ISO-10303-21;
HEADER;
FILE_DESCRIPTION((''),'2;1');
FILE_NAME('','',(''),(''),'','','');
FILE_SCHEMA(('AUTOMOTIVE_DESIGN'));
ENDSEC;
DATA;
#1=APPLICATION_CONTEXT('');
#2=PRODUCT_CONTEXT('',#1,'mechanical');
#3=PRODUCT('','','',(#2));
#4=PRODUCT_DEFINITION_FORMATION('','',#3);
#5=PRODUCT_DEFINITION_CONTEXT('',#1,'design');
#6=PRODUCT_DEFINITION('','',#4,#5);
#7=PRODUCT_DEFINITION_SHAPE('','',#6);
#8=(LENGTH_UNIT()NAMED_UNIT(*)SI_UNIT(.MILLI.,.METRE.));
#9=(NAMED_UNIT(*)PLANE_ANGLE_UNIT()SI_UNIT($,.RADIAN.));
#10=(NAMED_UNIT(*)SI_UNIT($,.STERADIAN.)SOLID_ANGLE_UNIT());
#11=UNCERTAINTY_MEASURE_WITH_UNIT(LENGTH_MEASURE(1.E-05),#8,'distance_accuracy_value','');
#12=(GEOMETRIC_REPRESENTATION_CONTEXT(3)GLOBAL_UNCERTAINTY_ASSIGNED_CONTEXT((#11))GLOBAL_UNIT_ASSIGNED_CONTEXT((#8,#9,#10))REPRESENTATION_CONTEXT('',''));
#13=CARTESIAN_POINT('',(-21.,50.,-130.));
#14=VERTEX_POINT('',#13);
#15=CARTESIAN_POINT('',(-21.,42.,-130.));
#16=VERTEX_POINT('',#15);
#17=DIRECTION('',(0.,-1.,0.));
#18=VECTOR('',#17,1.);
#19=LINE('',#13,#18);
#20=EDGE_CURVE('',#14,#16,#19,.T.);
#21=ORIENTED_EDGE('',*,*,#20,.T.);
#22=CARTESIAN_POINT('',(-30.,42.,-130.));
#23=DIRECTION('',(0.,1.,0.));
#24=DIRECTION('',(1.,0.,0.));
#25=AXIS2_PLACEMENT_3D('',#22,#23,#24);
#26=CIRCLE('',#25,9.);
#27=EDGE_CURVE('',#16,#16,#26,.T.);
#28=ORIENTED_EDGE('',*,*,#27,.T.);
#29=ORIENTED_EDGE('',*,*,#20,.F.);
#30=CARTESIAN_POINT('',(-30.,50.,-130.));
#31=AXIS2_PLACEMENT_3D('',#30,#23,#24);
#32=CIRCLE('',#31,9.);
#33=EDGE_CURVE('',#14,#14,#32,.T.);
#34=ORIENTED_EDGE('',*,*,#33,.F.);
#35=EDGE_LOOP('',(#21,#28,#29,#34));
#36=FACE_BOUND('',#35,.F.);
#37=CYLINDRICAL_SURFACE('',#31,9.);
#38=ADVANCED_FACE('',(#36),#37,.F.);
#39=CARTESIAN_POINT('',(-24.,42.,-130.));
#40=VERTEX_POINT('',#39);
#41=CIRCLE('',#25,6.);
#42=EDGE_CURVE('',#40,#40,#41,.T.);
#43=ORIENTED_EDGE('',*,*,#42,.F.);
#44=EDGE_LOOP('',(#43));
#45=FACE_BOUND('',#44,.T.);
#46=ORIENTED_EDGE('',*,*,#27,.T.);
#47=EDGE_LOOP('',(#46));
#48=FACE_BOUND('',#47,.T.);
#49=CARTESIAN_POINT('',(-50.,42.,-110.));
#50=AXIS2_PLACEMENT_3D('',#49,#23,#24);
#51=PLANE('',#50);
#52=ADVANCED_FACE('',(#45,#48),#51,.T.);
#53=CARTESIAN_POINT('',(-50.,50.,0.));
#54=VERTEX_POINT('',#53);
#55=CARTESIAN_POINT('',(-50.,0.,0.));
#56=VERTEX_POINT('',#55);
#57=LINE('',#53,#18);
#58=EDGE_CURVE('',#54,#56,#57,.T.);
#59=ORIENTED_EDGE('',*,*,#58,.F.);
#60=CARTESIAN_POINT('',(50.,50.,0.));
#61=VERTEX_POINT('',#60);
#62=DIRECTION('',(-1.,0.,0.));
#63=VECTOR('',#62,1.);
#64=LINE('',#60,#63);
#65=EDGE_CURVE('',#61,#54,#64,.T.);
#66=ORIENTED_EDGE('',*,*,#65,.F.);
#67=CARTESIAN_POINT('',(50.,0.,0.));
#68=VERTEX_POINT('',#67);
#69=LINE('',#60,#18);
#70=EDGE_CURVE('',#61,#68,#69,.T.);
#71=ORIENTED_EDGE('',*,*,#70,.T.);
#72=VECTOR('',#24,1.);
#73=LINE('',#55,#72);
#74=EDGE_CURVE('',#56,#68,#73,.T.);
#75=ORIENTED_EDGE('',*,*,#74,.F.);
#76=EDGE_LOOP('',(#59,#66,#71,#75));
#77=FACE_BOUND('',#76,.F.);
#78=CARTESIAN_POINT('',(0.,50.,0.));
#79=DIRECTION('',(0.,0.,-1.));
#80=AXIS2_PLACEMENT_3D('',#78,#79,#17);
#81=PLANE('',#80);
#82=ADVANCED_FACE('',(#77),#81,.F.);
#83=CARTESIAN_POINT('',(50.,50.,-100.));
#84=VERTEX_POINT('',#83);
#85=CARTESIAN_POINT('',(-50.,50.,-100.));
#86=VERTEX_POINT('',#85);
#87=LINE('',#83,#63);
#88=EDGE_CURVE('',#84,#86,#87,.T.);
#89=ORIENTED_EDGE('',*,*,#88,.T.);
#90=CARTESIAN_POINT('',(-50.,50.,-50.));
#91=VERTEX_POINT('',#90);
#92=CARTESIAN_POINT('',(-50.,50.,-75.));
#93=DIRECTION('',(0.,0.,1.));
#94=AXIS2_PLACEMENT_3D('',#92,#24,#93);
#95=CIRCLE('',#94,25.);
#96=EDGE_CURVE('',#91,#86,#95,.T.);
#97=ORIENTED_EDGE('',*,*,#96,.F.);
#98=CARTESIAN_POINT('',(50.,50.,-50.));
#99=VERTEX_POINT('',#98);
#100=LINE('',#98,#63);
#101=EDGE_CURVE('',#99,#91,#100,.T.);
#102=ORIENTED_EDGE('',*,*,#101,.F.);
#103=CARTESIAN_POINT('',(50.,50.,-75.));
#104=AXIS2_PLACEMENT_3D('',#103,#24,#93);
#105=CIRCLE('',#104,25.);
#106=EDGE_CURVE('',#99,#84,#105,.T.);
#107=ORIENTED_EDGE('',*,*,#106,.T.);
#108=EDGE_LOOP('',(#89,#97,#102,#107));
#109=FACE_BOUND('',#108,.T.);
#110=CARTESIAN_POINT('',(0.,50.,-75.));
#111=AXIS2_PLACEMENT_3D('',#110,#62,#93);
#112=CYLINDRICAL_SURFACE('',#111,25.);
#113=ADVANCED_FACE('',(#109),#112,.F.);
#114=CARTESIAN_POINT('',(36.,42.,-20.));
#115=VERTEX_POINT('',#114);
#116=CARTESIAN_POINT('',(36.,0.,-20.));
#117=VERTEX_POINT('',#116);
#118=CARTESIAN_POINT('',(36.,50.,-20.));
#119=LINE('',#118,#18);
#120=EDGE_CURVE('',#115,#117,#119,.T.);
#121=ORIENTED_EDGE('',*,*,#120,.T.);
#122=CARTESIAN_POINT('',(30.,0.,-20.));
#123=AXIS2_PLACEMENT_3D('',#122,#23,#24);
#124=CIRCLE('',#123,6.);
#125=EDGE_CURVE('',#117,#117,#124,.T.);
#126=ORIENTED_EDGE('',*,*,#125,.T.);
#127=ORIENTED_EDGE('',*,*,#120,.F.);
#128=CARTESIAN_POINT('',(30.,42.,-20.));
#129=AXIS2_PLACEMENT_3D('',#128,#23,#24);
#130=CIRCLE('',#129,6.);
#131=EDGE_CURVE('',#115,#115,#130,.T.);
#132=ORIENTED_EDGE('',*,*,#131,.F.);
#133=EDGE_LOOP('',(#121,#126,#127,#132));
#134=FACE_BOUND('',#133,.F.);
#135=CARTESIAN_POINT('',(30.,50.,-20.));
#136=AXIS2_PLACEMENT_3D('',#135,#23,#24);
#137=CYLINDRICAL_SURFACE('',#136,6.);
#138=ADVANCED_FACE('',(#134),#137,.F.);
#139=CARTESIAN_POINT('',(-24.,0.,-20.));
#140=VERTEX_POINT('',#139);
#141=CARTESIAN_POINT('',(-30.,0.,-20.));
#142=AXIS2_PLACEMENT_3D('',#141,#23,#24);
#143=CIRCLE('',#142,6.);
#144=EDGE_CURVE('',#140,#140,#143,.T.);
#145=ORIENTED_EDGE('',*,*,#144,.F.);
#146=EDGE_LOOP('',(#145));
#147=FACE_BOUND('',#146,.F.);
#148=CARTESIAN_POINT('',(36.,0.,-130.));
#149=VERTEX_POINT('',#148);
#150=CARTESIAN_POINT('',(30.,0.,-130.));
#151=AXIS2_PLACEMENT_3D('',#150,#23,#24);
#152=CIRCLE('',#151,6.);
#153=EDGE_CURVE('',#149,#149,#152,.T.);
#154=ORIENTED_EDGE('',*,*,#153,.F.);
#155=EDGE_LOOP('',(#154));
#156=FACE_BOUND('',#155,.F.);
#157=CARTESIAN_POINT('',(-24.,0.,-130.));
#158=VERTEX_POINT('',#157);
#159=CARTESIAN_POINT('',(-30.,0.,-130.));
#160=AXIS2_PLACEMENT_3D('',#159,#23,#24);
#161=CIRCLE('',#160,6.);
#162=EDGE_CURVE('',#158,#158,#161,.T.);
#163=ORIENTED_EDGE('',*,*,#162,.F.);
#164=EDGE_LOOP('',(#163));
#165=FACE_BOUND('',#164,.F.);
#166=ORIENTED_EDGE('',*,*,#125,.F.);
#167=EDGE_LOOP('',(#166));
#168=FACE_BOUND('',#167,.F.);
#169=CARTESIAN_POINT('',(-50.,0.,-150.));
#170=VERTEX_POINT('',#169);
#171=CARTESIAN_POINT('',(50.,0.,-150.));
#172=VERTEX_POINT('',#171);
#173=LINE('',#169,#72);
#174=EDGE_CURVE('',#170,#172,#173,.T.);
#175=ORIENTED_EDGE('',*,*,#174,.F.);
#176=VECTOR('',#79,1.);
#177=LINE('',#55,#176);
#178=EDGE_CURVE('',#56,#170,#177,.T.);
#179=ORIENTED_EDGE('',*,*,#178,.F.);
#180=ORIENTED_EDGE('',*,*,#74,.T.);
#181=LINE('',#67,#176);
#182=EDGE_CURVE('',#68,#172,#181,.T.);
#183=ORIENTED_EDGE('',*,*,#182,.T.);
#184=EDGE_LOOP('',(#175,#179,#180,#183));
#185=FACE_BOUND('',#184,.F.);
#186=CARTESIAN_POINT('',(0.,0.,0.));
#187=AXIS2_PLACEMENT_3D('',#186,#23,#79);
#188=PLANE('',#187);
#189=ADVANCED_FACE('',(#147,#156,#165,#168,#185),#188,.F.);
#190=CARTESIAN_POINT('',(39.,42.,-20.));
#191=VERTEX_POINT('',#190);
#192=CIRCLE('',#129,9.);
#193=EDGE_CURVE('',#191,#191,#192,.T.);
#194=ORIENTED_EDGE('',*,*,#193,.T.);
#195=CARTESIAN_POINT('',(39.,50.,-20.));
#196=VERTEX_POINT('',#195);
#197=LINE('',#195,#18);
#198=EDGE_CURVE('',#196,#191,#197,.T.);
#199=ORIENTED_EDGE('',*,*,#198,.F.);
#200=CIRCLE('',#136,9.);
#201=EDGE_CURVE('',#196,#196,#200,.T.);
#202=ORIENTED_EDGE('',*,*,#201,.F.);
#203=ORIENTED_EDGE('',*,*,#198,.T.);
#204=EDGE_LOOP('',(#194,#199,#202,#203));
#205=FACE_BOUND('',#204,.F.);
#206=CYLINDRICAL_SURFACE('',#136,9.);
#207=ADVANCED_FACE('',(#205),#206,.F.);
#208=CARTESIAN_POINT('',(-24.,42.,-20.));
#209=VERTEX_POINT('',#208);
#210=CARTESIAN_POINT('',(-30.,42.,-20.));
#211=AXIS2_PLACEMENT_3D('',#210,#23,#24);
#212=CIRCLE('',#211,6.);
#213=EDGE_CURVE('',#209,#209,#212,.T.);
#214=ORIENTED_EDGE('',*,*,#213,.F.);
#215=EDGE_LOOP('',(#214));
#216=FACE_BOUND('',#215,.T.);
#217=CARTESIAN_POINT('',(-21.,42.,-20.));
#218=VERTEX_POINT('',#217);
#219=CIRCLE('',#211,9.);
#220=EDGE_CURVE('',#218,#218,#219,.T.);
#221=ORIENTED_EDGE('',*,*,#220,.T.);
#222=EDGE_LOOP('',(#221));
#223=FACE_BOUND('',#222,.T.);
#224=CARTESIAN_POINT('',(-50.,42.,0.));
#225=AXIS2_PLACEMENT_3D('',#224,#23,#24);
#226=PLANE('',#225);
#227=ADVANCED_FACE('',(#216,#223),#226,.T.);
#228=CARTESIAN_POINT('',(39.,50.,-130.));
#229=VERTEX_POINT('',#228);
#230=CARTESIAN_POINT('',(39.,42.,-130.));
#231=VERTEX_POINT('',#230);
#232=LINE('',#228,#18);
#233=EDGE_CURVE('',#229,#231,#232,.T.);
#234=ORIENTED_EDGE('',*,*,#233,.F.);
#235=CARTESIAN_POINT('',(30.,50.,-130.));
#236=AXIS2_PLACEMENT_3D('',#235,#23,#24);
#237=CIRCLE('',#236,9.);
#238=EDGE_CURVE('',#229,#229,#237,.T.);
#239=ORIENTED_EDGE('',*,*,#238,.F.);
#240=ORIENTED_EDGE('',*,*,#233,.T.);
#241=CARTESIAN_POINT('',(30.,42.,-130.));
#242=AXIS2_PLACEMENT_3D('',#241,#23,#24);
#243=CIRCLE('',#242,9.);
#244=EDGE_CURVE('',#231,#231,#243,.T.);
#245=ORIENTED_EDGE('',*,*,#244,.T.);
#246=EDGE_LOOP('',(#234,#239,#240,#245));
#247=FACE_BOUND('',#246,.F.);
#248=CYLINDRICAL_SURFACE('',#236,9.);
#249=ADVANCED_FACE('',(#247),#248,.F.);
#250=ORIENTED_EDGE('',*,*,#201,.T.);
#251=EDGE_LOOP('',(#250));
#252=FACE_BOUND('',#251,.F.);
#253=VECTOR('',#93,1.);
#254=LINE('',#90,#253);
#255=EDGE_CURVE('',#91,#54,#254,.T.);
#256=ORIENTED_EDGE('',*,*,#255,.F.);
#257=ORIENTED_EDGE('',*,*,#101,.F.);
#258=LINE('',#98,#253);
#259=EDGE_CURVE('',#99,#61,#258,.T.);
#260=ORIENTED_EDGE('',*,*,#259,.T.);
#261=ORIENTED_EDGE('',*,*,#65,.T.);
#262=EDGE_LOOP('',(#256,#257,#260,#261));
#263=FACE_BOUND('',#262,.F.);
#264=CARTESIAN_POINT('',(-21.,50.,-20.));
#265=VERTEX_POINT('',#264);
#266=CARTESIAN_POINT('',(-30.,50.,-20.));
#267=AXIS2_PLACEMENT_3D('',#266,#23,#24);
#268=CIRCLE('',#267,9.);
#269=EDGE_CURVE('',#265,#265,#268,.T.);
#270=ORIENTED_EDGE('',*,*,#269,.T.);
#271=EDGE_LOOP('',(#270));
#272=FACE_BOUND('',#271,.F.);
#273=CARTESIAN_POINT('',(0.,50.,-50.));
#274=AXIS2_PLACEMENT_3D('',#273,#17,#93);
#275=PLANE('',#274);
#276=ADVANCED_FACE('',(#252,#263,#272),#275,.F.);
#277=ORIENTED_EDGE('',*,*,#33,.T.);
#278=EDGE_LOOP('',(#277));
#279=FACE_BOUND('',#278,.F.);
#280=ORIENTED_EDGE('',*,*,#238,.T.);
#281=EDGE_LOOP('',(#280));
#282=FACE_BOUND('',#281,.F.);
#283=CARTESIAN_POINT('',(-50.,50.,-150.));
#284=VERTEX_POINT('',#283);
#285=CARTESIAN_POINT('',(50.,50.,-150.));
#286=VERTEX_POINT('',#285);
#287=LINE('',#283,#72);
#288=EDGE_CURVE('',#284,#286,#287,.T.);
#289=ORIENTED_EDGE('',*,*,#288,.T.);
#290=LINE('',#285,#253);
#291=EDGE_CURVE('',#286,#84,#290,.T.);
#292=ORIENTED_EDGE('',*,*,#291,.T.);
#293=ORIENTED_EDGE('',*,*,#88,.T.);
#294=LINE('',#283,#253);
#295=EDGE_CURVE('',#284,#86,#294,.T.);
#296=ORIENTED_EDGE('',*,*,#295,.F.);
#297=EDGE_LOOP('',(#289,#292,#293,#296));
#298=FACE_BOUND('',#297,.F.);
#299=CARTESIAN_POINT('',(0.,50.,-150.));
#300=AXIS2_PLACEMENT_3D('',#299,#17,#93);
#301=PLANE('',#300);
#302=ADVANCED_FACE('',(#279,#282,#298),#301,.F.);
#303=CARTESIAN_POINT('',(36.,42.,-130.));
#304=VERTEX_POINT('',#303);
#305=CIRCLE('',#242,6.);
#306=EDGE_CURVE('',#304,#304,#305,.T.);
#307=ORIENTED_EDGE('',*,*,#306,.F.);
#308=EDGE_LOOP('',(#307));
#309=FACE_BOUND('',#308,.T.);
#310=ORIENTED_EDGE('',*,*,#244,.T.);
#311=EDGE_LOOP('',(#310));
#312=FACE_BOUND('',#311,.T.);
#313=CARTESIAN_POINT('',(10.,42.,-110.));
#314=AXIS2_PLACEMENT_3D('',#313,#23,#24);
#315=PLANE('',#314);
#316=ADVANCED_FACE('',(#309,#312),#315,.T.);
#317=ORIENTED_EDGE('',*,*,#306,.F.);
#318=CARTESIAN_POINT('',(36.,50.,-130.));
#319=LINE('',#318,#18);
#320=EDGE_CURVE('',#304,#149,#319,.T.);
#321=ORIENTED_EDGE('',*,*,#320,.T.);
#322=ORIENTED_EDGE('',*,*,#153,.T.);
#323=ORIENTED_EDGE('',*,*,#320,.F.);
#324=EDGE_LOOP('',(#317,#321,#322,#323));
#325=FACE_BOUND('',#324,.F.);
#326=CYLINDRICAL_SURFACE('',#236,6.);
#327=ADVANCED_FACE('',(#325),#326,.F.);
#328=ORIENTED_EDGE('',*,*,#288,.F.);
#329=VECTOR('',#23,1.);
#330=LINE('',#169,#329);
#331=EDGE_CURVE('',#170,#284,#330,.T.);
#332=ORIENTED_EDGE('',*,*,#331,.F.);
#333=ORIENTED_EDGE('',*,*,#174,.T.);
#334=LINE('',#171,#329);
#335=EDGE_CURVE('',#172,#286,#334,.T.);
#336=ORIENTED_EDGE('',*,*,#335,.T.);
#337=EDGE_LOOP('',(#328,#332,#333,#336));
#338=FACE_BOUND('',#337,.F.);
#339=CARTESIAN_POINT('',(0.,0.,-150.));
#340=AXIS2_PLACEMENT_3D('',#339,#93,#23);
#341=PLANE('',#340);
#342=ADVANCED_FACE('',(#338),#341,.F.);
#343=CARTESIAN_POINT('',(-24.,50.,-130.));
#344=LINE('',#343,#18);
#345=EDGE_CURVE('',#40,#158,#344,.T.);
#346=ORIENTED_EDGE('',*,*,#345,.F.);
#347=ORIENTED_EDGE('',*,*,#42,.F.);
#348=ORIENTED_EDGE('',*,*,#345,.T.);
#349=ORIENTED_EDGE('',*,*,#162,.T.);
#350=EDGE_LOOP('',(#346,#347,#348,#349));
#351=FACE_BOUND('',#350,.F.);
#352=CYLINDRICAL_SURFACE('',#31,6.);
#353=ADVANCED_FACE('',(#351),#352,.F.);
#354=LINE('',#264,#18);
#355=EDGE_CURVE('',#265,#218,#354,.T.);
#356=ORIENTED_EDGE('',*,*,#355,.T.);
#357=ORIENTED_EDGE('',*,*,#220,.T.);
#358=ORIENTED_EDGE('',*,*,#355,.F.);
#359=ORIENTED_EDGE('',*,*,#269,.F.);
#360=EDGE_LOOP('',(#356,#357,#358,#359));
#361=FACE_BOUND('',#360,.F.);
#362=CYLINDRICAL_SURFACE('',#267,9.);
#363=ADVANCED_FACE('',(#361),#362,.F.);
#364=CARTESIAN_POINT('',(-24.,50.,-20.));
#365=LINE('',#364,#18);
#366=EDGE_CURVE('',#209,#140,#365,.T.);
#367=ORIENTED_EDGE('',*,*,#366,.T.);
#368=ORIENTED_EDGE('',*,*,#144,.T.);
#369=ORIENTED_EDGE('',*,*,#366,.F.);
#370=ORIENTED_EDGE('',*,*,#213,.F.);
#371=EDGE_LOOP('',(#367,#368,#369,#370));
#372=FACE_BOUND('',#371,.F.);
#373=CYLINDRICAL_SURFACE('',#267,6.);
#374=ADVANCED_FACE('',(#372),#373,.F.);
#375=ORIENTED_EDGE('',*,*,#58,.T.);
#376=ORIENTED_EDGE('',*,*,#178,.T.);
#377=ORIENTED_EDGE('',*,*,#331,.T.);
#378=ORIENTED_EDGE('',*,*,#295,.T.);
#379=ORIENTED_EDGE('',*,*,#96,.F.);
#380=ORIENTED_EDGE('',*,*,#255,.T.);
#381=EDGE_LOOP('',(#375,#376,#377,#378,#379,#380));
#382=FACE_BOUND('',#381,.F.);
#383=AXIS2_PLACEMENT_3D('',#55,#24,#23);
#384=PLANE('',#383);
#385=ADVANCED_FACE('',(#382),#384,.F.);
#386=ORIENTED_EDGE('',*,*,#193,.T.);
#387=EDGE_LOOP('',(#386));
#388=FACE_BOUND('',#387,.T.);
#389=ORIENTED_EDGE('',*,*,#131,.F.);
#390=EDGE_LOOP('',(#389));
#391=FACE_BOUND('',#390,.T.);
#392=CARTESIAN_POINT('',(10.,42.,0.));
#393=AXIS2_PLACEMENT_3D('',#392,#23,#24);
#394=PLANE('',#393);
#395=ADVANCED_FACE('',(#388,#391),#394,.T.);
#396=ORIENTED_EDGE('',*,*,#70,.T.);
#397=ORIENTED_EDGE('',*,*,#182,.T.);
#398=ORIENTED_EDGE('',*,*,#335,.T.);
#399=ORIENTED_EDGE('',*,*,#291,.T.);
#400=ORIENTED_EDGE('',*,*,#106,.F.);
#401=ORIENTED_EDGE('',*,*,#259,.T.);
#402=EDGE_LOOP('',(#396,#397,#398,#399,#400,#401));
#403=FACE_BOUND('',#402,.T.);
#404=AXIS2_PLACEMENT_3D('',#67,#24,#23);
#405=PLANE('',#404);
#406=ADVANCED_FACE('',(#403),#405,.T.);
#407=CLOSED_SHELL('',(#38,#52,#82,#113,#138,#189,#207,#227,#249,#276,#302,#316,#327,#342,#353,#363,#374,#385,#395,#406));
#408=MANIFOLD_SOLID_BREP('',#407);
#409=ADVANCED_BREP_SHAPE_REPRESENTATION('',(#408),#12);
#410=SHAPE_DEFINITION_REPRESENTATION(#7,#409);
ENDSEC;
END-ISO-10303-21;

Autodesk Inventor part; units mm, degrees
ref_plane "YZ Plane" through (0, 0, 0) normal (1, 0, 0) x (0, 1, 0)
ref_plane "XZ Plane" through (0, 0, 0) normal (0, 1, 0) x (-1, 0, 0)
ref_plane "XY Plane" through (0, 0, 0) normal (0, 0, 1) x (1, 0, 0)
sketch "Sketch1" plane through (0, 0, 0) normal (1, 0, 0) x (0, 1, 0)
  line L0 (0, 0) -> (0, -150)
  line L1 (0, -150) -> (50, -150)
  line L2 (50, 0) -> (0, 0)
  arc A0 (50, -50) -> (50, -100) centre (50, -75) ccw
  line L3 (50, -150) -> (50, -100)
  line L4 (50, -50) -> (50, 0)
  dimension "d5" = 150
  dimension "d6" = 50
  dimension "d7" = 50
extrude "Extrusion1" add sketch "Sketch1" along normal mid plane 100
sketch "Sketch2" plane through (-50, 50, 0) normal (0, 1, 0) x (1, 0, 0)
  circle A0 centre (20, 20) radius 9
  circle A1 centre (20, 20) radius 6
  line L0 (0, 0) -> (0, 50) projected
  line L1 (100, 50) -> (100, 0) projected
  line L2 (100, 0) -> (0, 0) projected
  point P0 (50, 0)
  dimension "d10" = 18
  dimension "d11" = 12
  dimension "d12" = 20
  dimension "d16" = 20
extrude "Extrusion2" cut sketch "Sketch2" against normal through all contours A1
extrude "Extrusion3" cut sketch "Sketch2" against normal blind 8 contours A0 | A1
pattern_linear "Rectangular Pattern1" count 2 spacing 110 along (0, 0, -1) count 2 spacing 60 along (1, 0, 0) of "Extrusion2", "Extrusion3"
